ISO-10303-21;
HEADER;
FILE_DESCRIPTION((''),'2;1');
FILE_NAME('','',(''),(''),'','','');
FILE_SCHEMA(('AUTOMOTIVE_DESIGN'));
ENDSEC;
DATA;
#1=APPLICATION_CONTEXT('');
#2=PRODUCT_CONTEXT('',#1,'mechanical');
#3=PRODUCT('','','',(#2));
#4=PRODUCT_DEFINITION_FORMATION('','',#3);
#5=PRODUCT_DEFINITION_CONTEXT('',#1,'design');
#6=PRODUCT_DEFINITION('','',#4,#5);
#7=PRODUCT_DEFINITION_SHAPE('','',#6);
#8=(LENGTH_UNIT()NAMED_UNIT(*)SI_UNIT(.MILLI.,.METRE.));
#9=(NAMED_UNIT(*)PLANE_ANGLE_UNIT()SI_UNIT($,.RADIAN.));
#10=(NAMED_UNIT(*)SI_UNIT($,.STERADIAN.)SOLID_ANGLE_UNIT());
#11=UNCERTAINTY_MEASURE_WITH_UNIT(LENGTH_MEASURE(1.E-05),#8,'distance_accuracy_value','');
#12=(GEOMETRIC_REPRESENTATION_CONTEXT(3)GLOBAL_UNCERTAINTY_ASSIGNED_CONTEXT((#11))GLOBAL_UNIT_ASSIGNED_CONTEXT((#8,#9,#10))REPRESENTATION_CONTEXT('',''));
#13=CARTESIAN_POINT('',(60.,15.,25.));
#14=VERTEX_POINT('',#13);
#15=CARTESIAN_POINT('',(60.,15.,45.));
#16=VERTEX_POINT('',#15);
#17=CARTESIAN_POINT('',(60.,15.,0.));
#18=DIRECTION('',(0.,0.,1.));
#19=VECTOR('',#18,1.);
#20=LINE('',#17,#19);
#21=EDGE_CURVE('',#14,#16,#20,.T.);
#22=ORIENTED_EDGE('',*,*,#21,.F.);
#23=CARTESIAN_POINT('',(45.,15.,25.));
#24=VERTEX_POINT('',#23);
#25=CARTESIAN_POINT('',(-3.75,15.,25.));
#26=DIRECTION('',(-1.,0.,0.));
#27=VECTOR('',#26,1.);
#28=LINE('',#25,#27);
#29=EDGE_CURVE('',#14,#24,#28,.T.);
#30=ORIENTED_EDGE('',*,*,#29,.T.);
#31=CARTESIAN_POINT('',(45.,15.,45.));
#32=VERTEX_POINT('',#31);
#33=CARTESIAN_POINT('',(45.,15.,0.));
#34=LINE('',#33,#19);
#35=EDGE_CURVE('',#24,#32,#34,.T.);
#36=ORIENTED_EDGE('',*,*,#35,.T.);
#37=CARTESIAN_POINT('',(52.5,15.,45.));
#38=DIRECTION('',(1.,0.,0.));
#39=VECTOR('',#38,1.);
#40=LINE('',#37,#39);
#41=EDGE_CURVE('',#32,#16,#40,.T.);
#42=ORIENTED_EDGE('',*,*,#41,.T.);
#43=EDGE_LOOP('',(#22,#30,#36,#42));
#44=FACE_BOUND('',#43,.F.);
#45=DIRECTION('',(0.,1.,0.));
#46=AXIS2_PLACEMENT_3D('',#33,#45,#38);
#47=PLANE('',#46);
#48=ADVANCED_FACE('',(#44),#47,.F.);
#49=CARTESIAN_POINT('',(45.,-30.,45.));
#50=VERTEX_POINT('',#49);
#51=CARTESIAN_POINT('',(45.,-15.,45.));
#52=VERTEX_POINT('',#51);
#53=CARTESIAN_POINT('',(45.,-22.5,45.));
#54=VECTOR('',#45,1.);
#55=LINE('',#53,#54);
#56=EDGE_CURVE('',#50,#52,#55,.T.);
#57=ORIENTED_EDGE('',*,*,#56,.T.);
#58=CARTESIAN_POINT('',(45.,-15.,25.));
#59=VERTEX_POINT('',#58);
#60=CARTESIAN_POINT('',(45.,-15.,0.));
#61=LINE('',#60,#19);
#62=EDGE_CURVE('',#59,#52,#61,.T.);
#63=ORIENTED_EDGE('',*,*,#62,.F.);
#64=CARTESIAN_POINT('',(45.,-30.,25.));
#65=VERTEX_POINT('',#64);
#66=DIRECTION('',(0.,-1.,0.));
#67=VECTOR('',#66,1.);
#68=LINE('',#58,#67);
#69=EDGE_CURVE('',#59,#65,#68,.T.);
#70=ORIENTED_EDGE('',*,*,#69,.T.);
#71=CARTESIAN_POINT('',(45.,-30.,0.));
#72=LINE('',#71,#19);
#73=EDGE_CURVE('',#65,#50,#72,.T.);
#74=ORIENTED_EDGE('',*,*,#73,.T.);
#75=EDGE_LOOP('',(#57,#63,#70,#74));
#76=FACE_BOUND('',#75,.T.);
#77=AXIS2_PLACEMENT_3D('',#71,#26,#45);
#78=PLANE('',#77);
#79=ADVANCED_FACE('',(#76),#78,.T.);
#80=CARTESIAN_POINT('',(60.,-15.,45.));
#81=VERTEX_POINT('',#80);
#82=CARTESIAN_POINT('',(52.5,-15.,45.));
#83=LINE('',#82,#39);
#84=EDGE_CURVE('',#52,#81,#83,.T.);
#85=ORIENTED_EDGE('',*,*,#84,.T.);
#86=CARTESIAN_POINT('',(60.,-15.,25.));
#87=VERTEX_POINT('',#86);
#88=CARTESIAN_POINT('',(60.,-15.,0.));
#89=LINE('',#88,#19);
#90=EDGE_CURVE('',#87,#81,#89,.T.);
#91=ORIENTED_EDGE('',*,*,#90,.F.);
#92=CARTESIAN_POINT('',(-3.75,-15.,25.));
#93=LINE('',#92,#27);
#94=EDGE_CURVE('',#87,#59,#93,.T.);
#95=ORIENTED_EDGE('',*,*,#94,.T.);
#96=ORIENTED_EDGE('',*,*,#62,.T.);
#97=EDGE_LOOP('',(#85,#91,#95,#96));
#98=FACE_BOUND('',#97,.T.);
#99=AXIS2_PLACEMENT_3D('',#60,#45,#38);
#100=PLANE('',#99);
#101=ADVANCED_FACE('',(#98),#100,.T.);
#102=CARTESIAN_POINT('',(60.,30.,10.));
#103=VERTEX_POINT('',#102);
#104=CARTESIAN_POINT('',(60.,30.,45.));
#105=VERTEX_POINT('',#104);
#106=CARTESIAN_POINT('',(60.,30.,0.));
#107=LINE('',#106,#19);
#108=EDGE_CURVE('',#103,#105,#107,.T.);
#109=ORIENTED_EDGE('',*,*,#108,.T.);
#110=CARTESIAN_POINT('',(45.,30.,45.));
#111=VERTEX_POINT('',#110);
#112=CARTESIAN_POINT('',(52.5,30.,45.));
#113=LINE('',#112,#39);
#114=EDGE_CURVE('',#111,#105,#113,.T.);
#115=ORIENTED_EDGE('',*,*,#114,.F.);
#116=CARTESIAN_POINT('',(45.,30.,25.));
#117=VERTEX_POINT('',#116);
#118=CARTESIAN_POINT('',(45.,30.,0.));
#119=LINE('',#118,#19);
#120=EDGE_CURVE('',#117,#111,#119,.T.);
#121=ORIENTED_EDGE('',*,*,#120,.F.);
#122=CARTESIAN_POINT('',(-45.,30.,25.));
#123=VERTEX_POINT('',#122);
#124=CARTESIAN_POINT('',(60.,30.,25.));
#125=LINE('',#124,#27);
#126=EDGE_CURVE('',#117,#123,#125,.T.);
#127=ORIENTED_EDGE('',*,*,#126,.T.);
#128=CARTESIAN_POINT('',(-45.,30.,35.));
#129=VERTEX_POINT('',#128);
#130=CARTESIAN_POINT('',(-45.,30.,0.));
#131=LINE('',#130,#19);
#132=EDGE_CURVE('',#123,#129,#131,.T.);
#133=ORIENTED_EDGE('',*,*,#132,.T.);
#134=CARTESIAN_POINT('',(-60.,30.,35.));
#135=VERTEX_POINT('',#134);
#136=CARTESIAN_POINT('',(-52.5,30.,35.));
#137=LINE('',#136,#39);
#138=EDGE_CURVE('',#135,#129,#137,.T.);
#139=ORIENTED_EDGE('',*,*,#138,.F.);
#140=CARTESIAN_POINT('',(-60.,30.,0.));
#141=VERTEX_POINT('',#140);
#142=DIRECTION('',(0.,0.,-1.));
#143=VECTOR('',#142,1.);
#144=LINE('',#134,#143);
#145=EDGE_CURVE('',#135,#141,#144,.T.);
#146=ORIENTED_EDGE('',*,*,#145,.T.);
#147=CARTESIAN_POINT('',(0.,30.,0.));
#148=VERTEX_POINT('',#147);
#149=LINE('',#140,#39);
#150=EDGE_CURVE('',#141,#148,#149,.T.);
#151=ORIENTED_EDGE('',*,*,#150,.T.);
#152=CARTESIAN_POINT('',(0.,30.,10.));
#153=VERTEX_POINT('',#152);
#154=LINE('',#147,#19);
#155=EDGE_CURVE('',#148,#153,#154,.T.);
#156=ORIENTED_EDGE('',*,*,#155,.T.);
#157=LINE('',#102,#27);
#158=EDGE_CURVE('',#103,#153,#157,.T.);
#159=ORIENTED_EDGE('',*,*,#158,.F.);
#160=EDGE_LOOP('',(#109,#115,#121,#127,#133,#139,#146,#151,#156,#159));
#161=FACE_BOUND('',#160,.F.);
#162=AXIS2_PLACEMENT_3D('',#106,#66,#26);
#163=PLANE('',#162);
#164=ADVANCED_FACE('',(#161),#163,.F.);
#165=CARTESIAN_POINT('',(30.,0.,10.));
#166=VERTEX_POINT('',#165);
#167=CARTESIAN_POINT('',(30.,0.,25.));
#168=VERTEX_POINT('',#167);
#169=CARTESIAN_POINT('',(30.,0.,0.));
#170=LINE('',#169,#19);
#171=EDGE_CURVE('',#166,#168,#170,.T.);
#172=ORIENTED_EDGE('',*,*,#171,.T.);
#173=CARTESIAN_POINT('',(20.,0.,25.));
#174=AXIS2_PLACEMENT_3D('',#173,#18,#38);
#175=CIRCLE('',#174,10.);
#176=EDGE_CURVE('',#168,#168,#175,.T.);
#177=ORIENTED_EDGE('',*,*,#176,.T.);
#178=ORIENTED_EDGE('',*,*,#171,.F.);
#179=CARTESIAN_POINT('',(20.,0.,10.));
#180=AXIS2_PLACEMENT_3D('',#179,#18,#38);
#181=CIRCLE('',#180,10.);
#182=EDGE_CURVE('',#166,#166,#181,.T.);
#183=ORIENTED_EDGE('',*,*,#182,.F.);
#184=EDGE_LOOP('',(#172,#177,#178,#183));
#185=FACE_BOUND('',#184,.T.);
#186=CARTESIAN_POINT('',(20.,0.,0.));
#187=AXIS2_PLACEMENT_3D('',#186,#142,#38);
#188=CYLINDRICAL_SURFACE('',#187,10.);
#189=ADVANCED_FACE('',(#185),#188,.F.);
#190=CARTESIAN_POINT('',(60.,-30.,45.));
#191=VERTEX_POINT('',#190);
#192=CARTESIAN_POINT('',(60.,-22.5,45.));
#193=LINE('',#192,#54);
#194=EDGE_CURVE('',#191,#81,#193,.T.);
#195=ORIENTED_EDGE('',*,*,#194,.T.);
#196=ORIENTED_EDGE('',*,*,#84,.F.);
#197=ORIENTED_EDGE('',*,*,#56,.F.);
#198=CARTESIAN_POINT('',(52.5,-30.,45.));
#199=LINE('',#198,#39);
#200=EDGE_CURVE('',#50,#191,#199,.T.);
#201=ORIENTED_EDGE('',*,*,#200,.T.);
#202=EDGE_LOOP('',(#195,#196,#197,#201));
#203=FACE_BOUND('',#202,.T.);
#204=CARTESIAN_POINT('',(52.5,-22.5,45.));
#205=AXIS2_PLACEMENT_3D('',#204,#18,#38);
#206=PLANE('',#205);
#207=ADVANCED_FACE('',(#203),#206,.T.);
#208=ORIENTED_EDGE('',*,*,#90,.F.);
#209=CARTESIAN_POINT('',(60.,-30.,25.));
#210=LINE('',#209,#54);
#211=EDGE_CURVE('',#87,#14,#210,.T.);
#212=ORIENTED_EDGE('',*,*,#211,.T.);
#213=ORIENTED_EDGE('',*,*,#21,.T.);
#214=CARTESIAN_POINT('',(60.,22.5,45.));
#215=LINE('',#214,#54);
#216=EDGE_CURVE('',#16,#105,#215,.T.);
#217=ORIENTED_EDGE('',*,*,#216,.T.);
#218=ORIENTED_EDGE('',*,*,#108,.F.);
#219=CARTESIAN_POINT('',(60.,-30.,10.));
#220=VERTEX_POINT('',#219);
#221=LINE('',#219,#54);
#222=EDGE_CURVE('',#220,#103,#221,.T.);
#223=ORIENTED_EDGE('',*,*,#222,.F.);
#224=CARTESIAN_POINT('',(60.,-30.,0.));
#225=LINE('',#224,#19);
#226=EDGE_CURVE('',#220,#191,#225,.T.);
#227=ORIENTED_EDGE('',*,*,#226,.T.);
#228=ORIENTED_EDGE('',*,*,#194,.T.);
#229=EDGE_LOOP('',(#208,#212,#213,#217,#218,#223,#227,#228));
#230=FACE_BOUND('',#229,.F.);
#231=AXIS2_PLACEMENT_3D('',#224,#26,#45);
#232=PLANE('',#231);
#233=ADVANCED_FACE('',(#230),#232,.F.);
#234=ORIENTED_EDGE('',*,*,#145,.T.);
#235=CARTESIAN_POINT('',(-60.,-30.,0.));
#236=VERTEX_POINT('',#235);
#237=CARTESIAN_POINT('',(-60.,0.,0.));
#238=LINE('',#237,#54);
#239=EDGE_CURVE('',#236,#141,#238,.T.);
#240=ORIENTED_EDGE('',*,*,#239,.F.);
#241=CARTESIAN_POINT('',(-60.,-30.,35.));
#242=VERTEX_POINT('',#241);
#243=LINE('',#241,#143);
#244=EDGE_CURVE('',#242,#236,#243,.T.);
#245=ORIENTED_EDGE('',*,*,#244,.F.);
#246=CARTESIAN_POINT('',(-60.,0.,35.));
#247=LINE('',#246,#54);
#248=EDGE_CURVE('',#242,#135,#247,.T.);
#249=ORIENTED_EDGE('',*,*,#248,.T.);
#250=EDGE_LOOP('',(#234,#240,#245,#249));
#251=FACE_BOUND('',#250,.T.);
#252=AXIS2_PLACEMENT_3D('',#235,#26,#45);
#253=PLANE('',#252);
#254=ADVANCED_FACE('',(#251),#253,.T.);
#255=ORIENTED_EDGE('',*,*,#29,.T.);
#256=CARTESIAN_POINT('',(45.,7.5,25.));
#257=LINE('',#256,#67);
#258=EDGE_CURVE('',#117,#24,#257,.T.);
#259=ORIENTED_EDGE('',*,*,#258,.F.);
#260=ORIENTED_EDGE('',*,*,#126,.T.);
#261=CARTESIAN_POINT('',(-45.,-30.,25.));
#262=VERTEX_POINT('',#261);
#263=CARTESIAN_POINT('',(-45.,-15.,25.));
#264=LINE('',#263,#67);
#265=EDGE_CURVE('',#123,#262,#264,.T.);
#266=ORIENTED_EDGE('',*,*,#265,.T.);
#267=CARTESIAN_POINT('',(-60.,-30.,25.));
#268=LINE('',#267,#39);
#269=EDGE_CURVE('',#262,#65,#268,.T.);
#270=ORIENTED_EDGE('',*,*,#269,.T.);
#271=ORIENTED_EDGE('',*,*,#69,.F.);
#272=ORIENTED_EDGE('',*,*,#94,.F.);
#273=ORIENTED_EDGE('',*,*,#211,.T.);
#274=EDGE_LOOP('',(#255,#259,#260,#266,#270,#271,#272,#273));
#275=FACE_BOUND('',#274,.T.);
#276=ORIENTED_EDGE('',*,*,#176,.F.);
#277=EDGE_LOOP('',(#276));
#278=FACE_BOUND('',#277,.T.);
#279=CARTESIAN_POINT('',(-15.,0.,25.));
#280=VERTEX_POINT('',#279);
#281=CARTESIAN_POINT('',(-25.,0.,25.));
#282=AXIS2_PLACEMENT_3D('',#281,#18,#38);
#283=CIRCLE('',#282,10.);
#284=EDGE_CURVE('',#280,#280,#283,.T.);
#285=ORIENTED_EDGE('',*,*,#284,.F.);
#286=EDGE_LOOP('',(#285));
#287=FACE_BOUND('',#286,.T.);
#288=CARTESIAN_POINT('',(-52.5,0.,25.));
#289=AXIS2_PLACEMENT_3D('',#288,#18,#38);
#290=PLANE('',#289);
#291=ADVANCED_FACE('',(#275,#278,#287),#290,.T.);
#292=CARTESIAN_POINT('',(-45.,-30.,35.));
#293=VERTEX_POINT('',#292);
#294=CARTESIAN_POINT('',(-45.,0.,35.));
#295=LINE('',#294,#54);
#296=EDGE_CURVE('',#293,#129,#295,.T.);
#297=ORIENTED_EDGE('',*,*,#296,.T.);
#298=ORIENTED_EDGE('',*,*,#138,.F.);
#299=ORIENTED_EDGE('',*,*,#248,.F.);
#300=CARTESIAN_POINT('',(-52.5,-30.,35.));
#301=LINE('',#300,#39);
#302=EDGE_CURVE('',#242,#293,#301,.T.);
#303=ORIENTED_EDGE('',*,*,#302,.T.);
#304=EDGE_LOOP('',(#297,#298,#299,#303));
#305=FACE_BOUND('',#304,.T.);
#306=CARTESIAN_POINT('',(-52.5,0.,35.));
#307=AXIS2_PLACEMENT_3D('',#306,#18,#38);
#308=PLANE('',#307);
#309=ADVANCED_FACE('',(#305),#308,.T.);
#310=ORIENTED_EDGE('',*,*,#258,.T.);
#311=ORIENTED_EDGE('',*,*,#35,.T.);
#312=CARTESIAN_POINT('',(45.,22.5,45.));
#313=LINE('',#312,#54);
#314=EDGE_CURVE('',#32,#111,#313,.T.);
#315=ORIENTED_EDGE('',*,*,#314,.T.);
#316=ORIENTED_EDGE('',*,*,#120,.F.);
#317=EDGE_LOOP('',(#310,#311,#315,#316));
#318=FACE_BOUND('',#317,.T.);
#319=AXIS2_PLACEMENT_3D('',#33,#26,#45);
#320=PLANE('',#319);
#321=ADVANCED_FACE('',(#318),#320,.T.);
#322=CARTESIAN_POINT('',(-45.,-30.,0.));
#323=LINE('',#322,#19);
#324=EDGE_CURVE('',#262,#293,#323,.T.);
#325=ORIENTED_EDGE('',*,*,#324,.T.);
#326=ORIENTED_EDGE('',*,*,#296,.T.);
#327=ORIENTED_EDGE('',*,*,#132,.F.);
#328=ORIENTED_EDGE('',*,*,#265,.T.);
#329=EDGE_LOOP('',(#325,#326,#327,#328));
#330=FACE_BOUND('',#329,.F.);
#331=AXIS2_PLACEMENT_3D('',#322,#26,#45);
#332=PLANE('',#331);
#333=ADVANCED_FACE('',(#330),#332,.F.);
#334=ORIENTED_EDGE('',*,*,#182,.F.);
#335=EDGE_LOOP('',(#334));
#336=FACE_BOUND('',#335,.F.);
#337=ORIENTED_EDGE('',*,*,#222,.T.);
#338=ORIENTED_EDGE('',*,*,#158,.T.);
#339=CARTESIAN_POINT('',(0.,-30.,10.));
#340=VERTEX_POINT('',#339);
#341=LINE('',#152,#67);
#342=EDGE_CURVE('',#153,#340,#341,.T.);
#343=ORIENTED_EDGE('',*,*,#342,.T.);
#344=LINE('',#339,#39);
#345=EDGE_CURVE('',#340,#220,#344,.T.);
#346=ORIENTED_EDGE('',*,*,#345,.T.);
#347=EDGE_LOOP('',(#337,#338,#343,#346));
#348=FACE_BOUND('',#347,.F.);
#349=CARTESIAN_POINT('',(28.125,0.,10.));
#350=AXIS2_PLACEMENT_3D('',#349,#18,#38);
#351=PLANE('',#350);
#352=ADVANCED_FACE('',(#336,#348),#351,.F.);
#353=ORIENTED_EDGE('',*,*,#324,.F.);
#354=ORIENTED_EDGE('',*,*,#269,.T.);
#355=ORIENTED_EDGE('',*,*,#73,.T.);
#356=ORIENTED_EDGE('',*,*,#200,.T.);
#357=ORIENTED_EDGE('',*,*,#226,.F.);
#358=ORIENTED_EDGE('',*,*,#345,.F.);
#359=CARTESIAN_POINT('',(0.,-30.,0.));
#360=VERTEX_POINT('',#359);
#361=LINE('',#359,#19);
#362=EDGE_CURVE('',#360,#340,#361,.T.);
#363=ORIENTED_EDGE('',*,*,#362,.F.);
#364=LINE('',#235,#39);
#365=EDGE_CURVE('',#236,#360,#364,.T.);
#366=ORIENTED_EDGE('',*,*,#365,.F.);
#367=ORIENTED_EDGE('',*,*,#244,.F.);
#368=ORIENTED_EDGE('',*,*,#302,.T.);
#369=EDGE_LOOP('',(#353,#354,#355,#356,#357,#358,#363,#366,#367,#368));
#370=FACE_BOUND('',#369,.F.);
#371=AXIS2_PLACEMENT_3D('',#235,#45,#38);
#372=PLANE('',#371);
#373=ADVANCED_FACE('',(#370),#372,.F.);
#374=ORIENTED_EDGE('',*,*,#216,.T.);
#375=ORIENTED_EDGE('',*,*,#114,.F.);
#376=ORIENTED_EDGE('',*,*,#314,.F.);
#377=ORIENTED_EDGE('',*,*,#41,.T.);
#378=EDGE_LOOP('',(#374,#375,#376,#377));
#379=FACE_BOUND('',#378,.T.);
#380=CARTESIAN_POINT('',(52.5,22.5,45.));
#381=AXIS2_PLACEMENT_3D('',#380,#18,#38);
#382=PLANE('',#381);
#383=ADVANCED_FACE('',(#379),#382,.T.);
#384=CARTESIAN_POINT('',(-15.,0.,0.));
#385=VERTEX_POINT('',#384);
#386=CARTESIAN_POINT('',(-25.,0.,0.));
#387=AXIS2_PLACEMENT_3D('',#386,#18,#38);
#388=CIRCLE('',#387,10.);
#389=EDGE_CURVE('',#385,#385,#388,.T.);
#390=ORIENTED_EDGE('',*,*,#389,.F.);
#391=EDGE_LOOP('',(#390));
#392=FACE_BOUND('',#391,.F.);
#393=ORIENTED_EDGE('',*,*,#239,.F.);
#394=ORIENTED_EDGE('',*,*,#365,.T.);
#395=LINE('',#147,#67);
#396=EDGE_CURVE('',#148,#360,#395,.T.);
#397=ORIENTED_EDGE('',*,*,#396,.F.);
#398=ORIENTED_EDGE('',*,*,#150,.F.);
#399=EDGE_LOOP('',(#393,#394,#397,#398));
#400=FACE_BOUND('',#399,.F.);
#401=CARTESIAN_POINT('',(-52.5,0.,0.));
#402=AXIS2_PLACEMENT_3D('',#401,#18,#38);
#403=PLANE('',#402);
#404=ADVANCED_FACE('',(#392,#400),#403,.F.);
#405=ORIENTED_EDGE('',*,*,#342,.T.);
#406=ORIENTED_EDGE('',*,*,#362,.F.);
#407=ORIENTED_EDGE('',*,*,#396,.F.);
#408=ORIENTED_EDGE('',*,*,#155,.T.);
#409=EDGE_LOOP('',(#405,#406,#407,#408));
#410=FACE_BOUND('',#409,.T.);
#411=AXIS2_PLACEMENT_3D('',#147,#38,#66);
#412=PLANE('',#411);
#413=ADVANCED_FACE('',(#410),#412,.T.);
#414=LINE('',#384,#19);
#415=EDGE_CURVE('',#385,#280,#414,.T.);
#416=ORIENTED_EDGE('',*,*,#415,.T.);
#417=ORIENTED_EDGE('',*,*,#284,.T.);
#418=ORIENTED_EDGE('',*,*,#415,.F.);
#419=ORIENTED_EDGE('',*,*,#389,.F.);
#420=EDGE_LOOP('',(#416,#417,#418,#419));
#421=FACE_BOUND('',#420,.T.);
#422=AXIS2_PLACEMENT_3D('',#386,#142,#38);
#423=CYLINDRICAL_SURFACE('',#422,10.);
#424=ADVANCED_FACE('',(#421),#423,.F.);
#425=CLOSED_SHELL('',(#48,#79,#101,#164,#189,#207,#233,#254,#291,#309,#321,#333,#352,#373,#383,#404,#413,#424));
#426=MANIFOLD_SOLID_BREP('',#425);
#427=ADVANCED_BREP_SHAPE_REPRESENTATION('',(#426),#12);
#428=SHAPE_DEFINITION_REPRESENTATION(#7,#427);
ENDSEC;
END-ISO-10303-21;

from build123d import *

# Parameters (mm, degrees)
F0_W     = 15
F0_H     = 60
F0_W_2   = 45
F0_R     = 10
F0_H_2   = 15
F1_DEPTH = 25
F2_DEPTH = 45
F3_DEPTH = 35
F4_DEPTH = 10


with BuildPart() as f1:
    # F0 (on Top) → F1 (new body)
    with BuildSketch(Plane.XY):
        with Locations((-52.5, 0)):
            Rectangle(F0_W, F0_H)
        with Locations((-22.5, 0)):
            Rectangle(F0_W_2, F0_H)
        with Locations((-25, 0)):
            Circle(F0_R, mode=Mode.SUBTRACT)
        Polygon((45, 30), (0, 30), (0, -30), (45, -30), (45, -15), (60, -15), (60, 15), (45, 15), align=None)
        with Locations((20, 0)):
            Circle(F0_R, mode=Mode.SUBTRACT)
        with Locations((52.5, 22.5)):
            Rectangle(F0_W, F0_H_2)
        with Locations((52.5, -22.5)):
            Rectangle(F0_W, F0_H_2)
    extrude(amount=F1_DEPTH)

    # F0 (on Top) → F2 (join)
    with BuildSketch(Plane.XY):
        with Locations((52.5, -22.5)):
            Rectangle(F0_W, F0_H_2)
        with Locations((52.5, 22.5)):
            Rectangle(F0_W, F0_H_2)
    extrude(amount=F2_DEPTH)

    # F0 (on Top) → F3 (join)
    with BuildSketch(Plane.XY):
        with Locations((-52.5, 0)):
            Rectangle(F0_W, F0_H)
    extrude(amount=F3_DEPTH)

    # F0 (on Top) → F4 (cut)
    with BuildSketch(Plane.XY):
        Polygon((45, 30), (0, 30), (0, -30), (45, -30), (45, -15), (60, -15), (60, 15), (45, 15), align=None)
        with Locations((20, 0)):
            Circle(F0_R, mode=Mode.SUBTRACT)
        with Locations((52.5, -22.5)):
            Rectangle(F0_W, F0_H_2)
        with Locations((52.5, 22.5)):
            Rectangle(F0_W, F0_H_2)
    extrude(amount=F4_DEPTH, mode=Mode.SUBTRACT)


solid = f1.part
